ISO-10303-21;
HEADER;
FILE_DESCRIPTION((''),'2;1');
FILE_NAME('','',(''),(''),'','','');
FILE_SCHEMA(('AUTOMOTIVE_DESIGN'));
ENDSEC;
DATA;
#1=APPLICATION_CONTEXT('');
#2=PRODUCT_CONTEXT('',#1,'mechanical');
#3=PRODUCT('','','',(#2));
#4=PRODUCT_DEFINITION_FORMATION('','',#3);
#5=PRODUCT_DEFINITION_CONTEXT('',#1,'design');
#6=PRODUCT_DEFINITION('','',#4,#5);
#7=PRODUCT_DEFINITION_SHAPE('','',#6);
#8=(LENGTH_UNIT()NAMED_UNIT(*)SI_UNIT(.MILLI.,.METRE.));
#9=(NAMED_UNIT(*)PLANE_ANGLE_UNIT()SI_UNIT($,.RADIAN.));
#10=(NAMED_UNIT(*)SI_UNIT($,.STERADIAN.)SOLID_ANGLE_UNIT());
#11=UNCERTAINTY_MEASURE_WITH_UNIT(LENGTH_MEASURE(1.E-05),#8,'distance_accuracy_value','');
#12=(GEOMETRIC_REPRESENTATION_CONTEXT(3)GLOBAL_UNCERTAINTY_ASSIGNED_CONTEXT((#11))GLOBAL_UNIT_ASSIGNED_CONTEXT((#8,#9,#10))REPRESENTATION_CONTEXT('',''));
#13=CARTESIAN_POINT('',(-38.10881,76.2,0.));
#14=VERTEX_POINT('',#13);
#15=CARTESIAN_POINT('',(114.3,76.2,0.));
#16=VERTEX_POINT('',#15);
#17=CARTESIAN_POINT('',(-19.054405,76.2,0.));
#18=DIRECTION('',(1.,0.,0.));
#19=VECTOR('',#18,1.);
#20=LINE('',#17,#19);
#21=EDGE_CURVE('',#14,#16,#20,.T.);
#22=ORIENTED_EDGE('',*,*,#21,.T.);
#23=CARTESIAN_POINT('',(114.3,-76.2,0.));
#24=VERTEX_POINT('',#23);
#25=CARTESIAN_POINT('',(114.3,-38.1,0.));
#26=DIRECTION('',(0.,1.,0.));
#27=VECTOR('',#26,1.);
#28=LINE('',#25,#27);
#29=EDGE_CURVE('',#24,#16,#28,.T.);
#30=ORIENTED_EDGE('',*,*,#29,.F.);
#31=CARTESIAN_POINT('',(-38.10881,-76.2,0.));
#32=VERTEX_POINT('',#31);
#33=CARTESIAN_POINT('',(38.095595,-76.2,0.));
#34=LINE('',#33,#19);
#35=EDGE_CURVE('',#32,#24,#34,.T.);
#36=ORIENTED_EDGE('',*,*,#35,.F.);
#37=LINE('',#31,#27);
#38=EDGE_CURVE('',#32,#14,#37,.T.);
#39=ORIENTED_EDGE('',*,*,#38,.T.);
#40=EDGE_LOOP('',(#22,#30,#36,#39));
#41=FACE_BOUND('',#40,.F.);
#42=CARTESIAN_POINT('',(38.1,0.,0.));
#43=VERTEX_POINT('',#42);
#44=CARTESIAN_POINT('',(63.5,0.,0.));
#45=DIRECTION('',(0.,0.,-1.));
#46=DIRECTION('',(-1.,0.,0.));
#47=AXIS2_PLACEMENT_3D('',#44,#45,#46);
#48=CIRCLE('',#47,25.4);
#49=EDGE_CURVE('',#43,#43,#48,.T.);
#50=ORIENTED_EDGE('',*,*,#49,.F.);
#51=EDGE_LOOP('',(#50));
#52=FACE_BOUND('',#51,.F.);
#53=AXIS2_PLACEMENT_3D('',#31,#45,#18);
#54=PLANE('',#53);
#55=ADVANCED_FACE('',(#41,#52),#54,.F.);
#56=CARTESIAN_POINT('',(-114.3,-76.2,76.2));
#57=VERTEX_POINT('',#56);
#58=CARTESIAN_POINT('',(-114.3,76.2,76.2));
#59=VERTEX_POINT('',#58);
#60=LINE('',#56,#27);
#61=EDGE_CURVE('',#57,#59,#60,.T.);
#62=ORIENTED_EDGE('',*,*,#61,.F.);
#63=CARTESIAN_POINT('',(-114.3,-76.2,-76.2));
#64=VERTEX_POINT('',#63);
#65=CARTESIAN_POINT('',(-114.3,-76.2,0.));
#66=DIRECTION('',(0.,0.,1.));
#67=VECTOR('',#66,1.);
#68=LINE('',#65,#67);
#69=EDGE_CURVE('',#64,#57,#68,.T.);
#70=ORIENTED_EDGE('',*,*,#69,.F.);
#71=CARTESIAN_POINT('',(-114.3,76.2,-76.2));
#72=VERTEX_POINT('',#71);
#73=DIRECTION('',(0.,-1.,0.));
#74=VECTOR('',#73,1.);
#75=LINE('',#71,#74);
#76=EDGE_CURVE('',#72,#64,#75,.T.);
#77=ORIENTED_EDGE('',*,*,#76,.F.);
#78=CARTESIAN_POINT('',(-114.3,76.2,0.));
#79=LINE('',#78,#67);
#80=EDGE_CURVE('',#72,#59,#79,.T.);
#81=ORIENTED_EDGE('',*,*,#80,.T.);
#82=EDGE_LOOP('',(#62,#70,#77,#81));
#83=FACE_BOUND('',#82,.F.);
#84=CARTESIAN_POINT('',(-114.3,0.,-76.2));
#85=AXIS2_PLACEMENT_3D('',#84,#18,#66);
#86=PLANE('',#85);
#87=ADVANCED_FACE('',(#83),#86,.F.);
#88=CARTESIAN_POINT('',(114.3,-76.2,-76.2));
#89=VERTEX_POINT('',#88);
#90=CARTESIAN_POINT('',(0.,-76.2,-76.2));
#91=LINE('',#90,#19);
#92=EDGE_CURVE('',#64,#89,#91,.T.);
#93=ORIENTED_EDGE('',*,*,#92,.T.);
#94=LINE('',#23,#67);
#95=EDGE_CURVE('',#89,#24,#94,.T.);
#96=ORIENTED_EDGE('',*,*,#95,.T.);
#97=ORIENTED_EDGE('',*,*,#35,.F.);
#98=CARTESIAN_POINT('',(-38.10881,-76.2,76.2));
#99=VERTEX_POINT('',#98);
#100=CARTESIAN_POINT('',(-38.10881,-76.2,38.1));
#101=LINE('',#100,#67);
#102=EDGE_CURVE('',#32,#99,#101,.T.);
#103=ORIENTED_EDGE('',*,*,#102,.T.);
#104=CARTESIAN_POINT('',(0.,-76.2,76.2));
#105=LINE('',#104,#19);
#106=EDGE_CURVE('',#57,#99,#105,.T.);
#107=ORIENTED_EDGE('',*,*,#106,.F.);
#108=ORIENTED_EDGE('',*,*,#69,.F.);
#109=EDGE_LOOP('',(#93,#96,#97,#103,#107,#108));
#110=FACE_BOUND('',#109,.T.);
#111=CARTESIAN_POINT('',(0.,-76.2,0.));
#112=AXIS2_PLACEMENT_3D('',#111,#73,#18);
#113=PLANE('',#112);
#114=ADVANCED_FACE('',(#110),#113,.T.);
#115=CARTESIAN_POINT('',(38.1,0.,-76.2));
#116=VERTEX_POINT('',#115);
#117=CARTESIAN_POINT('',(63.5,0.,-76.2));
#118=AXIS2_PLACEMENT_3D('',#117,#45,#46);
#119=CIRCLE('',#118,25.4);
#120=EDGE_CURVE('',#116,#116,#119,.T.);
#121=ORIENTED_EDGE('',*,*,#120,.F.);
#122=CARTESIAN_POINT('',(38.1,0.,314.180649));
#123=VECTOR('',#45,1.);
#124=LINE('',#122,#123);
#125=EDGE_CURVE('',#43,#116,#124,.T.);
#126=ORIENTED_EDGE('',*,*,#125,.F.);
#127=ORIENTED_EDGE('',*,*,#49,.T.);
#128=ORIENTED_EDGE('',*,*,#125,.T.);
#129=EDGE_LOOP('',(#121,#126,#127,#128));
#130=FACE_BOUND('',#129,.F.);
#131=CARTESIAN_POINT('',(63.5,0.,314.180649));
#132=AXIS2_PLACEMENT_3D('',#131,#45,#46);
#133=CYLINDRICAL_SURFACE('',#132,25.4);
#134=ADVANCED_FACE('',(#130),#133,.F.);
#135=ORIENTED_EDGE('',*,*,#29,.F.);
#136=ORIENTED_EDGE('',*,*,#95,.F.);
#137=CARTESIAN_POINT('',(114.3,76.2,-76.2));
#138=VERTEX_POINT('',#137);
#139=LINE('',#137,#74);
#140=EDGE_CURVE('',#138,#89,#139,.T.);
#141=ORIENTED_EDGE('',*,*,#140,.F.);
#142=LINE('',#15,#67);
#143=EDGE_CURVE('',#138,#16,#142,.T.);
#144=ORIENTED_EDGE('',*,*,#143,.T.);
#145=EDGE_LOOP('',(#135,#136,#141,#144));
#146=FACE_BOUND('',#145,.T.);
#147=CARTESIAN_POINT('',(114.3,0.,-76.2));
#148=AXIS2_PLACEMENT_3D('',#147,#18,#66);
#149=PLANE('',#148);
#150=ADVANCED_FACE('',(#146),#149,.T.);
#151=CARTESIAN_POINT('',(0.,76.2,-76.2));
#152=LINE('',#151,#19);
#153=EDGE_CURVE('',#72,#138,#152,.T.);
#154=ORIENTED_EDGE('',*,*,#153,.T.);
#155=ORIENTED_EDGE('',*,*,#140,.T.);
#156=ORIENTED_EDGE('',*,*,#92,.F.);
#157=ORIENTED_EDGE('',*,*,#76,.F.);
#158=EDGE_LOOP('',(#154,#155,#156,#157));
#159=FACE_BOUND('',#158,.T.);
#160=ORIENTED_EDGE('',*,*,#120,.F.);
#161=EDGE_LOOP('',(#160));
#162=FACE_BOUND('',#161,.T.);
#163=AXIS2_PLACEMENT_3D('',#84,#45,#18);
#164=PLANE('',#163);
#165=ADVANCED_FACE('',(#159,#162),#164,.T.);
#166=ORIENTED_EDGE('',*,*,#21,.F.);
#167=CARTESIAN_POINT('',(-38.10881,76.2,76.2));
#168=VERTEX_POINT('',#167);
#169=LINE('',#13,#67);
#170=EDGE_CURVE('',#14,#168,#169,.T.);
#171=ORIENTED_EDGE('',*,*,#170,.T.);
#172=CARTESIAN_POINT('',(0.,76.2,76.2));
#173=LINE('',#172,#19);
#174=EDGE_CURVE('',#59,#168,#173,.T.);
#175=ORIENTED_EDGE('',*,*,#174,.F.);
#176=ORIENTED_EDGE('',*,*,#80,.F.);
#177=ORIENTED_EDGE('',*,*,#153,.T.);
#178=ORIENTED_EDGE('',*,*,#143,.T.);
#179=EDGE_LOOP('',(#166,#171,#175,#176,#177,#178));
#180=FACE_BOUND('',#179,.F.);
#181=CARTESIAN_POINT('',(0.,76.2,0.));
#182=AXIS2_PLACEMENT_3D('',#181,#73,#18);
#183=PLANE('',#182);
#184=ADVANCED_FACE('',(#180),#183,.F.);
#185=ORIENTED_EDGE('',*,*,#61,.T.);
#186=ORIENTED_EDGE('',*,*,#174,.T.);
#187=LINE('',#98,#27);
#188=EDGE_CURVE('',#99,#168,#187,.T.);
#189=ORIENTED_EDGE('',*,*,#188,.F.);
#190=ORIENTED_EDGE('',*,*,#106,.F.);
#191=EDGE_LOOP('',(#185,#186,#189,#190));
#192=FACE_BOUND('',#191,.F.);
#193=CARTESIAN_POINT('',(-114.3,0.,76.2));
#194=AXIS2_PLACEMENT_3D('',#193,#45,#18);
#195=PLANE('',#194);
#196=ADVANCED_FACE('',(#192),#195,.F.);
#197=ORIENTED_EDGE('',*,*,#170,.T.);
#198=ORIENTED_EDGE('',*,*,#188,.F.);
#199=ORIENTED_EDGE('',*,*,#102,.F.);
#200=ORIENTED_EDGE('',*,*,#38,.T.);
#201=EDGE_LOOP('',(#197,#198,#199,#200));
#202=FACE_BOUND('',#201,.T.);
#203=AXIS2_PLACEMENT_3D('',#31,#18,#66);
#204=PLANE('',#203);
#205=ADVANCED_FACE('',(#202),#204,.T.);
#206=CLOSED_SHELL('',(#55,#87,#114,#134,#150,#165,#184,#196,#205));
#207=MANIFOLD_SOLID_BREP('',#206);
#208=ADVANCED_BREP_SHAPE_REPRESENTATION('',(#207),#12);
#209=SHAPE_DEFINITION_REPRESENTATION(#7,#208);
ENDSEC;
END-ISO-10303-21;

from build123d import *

# Parameters (mm, degrees)
F0_W     = 228.6
F0_H     = 152.4
F1_DEPTH = 76.2
F2_W     = 152.408811
F2_H     = 76.2
F3_DEPTH = 152.401
F5_D     = 50.8


with BuildPart() as f1:
    # F0 (on Front) → F1 (new body, symmetric)
    with BuildSketch(Plane.XZ):
        Rectangle(F0_W, F0_H)
    extrude(amount=F1_DEPTH, both=True)

    # F2 (on face) → F3 (cut, through all)
    with BuildSketch(Plane.XZ.offset(76.2)):
        with Locations((38.095595, 38.1)):
            Rectangle(F2_W, F2_H)
    extrude(amount=-F3_DEPTH, mode=Mode.SUBTRACT)

    # F5 (through all)
    with Locations(Plane.XY):
        with Locations((63.5, 0)):
            Hole(F5_D / 2)


solid = f1.part
